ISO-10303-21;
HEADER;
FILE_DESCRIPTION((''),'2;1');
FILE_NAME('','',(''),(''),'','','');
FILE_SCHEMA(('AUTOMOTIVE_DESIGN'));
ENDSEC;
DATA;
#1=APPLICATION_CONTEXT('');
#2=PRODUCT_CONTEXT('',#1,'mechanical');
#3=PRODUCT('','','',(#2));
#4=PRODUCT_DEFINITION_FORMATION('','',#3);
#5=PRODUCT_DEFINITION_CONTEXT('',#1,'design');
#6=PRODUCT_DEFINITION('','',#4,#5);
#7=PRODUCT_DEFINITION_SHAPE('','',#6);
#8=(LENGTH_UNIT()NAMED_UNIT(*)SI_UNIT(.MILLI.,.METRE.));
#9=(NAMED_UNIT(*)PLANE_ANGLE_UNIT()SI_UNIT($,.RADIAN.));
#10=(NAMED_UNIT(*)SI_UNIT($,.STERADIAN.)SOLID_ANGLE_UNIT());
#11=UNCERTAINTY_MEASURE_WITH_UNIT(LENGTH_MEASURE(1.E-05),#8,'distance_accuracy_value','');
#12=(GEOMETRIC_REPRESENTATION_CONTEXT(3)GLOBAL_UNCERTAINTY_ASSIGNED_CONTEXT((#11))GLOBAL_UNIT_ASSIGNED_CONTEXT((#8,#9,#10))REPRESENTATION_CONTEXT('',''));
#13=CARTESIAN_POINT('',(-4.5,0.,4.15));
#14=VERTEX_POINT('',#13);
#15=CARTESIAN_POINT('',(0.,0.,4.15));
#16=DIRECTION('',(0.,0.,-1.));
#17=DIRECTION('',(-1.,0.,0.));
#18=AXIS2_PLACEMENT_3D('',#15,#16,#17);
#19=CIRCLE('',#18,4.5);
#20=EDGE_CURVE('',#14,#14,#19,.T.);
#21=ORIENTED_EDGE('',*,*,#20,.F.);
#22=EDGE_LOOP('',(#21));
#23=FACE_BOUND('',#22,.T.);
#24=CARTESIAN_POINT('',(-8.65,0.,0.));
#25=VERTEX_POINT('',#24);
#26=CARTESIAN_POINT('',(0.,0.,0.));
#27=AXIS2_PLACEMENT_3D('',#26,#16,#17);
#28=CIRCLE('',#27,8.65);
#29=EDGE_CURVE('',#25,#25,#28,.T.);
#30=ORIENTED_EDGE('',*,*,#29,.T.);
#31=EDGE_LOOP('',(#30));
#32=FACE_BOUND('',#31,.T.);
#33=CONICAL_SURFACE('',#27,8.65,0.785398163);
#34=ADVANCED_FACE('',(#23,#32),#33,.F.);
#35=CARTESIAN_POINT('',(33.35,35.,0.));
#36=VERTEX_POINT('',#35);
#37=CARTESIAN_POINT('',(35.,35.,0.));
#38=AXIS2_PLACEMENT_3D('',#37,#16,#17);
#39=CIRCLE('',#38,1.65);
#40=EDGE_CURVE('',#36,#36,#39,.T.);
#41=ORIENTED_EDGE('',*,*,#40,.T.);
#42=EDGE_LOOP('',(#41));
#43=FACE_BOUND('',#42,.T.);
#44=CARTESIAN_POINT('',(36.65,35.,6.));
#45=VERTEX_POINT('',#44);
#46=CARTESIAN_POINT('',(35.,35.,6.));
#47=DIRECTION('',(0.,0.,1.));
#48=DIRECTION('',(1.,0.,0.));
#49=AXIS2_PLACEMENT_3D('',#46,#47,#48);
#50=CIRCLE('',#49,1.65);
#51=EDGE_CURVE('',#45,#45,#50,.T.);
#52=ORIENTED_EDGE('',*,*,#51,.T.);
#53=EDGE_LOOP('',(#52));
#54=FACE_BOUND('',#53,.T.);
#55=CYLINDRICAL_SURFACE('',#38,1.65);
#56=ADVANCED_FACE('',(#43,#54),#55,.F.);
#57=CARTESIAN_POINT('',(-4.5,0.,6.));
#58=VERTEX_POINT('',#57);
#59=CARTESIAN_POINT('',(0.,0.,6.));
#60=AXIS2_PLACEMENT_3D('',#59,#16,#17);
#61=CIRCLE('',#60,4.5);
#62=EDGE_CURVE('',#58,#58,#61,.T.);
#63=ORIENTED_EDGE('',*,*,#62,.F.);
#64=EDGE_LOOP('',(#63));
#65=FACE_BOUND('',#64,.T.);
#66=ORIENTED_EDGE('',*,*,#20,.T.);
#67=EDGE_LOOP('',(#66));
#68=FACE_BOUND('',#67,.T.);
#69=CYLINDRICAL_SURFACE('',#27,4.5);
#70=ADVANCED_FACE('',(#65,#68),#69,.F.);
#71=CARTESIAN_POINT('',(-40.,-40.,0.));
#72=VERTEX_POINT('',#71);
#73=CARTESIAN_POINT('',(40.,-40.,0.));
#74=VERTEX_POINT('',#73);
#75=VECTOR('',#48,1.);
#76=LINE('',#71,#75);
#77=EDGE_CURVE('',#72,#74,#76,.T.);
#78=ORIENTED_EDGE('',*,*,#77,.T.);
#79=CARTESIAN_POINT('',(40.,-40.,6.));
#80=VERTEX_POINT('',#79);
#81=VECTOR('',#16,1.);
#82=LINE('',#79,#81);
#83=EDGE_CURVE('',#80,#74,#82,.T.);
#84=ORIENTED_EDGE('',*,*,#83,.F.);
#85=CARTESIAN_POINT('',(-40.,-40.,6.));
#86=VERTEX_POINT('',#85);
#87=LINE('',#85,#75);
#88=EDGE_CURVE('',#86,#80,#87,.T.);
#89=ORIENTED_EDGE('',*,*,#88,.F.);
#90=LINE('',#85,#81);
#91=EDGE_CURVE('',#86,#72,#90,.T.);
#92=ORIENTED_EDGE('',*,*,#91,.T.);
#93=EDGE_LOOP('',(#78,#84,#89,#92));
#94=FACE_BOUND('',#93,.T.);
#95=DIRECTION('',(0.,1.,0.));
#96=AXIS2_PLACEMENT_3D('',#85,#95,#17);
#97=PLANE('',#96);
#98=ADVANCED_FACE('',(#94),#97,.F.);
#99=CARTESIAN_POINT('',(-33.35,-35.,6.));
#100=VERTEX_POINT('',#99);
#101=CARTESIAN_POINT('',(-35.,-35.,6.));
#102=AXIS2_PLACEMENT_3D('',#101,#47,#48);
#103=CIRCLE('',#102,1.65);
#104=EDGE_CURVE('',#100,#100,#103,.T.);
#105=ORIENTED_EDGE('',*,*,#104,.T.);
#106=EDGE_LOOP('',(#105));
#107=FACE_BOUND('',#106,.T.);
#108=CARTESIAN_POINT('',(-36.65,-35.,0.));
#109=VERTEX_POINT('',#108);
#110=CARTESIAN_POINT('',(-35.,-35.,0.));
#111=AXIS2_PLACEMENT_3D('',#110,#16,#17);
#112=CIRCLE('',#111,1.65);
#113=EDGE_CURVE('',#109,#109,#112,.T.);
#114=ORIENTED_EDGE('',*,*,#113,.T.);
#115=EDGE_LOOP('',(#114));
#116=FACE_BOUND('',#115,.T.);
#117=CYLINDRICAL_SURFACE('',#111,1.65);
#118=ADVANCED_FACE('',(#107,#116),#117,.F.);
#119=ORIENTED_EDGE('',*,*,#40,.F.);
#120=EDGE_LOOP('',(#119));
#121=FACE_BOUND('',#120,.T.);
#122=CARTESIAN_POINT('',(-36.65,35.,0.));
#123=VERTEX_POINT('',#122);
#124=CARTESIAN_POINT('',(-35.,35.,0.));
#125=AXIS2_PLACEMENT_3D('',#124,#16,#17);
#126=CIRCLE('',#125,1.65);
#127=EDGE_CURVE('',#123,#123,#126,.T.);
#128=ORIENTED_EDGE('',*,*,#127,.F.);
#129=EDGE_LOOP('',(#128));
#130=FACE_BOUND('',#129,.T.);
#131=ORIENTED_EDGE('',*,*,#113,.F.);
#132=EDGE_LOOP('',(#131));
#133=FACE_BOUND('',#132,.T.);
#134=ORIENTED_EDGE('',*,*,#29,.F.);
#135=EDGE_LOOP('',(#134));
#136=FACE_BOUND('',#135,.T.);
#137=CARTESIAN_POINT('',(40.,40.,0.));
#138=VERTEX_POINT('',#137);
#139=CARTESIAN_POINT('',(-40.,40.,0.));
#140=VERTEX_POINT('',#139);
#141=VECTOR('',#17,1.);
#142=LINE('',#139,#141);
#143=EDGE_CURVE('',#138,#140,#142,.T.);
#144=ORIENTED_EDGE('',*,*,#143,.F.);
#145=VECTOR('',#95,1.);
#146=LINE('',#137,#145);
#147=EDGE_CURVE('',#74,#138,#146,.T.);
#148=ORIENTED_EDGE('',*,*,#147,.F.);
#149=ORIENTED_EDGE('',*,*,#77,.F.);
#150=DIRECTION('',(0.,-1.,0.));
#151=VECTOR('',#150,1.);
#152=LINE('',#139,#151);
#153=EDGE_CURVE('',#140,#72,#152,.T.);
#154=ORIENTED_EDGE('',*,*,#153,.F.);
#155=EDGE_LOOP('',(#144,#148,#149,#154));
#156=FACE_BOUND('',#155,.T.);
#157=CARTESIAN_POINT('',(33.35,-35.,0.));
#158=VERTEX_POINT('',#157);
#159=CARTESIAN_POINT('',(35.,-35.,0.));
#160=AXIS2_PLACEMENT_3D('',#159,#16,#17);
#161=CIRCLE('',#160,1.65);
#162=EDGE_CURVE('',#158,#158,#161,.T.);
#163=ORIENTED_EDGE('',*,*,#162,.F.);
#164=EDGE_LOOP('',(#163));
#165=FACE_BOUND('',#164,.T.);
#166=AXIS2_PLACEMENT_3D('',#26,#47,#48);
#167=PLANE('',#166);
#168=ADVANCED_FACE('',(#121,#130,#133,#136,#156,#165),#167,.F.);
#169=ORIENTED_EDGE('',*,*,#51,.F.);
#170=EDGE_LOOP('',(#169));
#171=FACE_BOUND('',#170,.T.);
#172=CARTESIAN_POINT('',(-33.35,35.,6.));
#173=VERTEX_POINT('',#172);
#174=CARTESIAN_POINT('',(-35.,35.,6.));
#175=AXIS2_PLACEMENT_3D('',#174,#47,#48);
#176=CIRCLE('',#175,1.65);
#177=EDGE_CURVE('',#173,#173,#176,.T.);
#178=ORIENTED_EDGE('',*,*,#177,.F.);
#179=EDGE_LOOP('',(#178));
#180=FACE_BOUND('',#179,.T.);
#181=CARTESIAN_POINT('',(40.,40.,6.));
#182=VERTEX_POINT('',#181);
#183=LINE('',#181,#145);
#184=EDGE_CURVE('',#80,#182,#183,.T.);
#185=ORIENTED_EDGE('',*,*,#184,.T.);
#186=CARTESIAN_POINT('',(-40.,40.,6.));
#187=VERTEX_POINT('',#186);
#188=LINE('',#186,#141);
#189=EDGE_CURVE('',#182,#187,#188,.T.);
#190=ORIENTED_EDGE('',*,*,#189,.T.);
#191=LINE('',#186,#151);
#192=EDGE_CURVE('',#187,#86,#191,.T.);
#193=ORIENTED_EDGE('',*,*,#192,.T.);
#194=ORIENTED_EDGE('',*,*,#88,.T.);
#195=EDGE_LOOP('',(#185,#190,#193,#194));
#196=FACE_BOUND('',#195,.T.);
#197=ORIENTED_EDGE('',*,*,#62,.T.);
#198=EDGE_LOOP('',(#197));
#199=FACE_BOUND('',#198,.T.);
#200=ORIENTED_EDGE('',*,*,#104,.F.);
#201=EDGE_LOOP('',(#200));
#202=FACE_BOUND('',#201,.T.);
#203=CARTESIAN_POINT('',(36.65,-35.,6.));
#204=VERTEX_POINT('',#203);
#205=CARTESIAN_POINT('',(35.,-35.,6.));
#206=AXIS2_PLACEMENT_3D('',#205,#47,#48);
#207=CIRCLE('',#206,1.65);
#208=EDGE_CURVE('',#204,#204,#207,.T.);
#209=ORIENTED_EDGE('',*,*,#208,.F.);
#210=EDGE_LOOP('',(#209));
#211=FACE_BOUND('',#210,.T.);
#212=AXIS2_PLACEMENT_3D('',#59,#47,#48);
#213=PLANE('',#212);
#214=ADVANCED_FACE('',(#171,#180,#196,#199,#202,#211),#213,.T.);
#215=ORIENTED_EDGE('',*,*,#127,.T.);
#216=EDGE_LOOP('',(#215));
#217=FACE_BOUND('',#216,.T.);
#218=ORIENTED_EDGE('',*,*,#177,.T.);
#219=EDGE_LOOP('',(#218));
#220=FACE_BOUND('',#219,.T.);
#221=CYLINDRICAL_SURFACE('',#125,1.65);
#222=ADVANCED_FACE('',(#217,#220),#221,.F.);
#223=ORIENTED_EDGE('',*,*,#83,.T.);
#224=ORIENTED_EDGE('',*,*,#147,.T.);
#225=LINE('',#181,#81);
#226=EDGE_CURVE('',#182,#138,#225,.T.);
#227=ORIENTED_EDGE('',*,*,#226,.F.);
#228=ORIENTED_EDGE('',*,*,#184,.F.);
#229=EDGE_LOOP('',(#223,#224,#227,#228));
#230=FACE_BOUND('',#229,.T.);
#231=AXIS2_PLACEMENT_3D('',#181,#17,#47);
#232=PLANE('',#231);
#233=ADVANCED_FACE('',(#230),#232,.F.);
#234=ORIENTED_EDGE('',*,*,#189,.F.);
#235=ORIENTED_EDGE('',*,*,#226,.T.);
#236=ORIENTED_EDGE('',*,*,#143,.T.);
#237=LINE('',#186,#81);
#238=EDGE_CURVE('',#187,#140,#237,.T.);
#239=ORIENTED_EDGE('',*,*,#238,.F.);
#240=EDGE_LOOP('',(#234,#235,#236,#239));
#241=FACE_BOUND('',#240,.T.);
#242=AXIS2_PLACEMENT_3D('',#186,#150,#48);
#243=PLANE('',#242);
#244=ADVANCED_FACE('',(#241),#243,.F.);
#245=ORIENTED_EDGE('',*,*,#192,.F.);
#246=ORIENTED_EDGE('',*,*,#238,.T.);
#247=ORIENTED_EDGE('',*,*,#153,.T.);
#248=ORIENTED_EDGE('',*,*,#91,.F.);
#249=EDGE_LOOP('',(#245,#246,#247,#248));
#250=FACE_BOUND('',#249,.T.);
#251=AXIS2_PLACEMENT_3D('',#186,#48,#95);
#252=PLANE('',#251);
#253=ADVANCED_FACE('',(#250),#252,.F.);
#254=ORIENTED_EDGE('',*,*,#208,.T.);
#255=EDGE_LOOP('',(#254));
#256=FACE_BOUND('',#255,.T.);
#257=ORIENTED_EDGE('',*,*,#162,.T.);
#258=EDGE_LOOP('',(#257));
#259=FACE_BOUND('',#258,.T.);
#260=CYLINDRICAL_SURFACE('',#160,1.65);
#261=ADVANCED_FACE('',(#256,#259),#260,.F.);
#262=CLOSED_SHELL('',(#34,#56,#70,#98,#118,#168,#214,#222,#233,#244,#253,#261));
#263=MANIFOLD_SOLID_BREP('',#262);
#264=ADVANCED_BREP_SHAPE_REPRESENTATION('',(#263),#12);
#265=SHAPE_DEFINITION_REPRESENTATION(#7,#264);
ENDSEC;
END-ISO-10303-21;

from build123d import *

# Parameters (mm, degrees)
SKIZZE1_W                       = 80
SKIZZE1_H                       = 80
SKIZZE1_R                       = 2.5
AUFSATZ_LINEAR_AUSTRAGEN1_DEPTH = 6
M4_GEWINDEBOHRUNG2_D            = 3.3
M4_GEWINDEBOHRUNG2_DEPTH        = 11.5
M4_GEWINDEBOHRUNG2_TIP          = 0.991420021


with BuildPart() as part:
    # Skizze1 → Aufsatz-Linear austragen1 (new body)
    with BuildSketch(Plane.XY):
        Rectangle(SKIZZE1_W, SKIZZE1_H)
        Circle(SKIZZE1_R, mode=Mode.SUBTRACT)
    extrude(amount=AUFSATZ_LINEAR_AUSTRAGEN1_DEPTH)

    # M4 Gewindebohrung2
    with Locations(Plane(origin=(0, 0, 0), x_dir=(-1, 0, 0), z_dir=(0, 0, -1))):
        with Locations((35, 35), (35, -35), (-35, -35), (-35, 35)):
            Hole(M4_GEWINDEBOHRUNG2_D / 2, depth=M4_GEWINDEBOHRUNG2_DEPTH)
            with Locations((0, 0, -(M4_GEWINDEBOHRUNG2_DEPTH + M4_GEWINDEBOHRUNG2_TIP / 2))):  # 118° drill point
                Cone(0, M4_GEWINDEBOHRUNG2_D / 2, M4_GEWINDEBOHRUNG2_TIP, mode=Mode.SUBTRACT)

    # Skizze8 → Formsenkung für M8 Linsensenkschraube1 (revolve, cut)
    with BuildSketch(Plane.YZ):
        Polygon((0, 0), (0, 6), (4.5, 6), (4.5, 4.15), (8.65, 0), align=None)
    revolve(axis=Axis((0, 0, -6.35), (0, 0, 1)), mode=Mode.SUBTRACT)


solid = part.part
